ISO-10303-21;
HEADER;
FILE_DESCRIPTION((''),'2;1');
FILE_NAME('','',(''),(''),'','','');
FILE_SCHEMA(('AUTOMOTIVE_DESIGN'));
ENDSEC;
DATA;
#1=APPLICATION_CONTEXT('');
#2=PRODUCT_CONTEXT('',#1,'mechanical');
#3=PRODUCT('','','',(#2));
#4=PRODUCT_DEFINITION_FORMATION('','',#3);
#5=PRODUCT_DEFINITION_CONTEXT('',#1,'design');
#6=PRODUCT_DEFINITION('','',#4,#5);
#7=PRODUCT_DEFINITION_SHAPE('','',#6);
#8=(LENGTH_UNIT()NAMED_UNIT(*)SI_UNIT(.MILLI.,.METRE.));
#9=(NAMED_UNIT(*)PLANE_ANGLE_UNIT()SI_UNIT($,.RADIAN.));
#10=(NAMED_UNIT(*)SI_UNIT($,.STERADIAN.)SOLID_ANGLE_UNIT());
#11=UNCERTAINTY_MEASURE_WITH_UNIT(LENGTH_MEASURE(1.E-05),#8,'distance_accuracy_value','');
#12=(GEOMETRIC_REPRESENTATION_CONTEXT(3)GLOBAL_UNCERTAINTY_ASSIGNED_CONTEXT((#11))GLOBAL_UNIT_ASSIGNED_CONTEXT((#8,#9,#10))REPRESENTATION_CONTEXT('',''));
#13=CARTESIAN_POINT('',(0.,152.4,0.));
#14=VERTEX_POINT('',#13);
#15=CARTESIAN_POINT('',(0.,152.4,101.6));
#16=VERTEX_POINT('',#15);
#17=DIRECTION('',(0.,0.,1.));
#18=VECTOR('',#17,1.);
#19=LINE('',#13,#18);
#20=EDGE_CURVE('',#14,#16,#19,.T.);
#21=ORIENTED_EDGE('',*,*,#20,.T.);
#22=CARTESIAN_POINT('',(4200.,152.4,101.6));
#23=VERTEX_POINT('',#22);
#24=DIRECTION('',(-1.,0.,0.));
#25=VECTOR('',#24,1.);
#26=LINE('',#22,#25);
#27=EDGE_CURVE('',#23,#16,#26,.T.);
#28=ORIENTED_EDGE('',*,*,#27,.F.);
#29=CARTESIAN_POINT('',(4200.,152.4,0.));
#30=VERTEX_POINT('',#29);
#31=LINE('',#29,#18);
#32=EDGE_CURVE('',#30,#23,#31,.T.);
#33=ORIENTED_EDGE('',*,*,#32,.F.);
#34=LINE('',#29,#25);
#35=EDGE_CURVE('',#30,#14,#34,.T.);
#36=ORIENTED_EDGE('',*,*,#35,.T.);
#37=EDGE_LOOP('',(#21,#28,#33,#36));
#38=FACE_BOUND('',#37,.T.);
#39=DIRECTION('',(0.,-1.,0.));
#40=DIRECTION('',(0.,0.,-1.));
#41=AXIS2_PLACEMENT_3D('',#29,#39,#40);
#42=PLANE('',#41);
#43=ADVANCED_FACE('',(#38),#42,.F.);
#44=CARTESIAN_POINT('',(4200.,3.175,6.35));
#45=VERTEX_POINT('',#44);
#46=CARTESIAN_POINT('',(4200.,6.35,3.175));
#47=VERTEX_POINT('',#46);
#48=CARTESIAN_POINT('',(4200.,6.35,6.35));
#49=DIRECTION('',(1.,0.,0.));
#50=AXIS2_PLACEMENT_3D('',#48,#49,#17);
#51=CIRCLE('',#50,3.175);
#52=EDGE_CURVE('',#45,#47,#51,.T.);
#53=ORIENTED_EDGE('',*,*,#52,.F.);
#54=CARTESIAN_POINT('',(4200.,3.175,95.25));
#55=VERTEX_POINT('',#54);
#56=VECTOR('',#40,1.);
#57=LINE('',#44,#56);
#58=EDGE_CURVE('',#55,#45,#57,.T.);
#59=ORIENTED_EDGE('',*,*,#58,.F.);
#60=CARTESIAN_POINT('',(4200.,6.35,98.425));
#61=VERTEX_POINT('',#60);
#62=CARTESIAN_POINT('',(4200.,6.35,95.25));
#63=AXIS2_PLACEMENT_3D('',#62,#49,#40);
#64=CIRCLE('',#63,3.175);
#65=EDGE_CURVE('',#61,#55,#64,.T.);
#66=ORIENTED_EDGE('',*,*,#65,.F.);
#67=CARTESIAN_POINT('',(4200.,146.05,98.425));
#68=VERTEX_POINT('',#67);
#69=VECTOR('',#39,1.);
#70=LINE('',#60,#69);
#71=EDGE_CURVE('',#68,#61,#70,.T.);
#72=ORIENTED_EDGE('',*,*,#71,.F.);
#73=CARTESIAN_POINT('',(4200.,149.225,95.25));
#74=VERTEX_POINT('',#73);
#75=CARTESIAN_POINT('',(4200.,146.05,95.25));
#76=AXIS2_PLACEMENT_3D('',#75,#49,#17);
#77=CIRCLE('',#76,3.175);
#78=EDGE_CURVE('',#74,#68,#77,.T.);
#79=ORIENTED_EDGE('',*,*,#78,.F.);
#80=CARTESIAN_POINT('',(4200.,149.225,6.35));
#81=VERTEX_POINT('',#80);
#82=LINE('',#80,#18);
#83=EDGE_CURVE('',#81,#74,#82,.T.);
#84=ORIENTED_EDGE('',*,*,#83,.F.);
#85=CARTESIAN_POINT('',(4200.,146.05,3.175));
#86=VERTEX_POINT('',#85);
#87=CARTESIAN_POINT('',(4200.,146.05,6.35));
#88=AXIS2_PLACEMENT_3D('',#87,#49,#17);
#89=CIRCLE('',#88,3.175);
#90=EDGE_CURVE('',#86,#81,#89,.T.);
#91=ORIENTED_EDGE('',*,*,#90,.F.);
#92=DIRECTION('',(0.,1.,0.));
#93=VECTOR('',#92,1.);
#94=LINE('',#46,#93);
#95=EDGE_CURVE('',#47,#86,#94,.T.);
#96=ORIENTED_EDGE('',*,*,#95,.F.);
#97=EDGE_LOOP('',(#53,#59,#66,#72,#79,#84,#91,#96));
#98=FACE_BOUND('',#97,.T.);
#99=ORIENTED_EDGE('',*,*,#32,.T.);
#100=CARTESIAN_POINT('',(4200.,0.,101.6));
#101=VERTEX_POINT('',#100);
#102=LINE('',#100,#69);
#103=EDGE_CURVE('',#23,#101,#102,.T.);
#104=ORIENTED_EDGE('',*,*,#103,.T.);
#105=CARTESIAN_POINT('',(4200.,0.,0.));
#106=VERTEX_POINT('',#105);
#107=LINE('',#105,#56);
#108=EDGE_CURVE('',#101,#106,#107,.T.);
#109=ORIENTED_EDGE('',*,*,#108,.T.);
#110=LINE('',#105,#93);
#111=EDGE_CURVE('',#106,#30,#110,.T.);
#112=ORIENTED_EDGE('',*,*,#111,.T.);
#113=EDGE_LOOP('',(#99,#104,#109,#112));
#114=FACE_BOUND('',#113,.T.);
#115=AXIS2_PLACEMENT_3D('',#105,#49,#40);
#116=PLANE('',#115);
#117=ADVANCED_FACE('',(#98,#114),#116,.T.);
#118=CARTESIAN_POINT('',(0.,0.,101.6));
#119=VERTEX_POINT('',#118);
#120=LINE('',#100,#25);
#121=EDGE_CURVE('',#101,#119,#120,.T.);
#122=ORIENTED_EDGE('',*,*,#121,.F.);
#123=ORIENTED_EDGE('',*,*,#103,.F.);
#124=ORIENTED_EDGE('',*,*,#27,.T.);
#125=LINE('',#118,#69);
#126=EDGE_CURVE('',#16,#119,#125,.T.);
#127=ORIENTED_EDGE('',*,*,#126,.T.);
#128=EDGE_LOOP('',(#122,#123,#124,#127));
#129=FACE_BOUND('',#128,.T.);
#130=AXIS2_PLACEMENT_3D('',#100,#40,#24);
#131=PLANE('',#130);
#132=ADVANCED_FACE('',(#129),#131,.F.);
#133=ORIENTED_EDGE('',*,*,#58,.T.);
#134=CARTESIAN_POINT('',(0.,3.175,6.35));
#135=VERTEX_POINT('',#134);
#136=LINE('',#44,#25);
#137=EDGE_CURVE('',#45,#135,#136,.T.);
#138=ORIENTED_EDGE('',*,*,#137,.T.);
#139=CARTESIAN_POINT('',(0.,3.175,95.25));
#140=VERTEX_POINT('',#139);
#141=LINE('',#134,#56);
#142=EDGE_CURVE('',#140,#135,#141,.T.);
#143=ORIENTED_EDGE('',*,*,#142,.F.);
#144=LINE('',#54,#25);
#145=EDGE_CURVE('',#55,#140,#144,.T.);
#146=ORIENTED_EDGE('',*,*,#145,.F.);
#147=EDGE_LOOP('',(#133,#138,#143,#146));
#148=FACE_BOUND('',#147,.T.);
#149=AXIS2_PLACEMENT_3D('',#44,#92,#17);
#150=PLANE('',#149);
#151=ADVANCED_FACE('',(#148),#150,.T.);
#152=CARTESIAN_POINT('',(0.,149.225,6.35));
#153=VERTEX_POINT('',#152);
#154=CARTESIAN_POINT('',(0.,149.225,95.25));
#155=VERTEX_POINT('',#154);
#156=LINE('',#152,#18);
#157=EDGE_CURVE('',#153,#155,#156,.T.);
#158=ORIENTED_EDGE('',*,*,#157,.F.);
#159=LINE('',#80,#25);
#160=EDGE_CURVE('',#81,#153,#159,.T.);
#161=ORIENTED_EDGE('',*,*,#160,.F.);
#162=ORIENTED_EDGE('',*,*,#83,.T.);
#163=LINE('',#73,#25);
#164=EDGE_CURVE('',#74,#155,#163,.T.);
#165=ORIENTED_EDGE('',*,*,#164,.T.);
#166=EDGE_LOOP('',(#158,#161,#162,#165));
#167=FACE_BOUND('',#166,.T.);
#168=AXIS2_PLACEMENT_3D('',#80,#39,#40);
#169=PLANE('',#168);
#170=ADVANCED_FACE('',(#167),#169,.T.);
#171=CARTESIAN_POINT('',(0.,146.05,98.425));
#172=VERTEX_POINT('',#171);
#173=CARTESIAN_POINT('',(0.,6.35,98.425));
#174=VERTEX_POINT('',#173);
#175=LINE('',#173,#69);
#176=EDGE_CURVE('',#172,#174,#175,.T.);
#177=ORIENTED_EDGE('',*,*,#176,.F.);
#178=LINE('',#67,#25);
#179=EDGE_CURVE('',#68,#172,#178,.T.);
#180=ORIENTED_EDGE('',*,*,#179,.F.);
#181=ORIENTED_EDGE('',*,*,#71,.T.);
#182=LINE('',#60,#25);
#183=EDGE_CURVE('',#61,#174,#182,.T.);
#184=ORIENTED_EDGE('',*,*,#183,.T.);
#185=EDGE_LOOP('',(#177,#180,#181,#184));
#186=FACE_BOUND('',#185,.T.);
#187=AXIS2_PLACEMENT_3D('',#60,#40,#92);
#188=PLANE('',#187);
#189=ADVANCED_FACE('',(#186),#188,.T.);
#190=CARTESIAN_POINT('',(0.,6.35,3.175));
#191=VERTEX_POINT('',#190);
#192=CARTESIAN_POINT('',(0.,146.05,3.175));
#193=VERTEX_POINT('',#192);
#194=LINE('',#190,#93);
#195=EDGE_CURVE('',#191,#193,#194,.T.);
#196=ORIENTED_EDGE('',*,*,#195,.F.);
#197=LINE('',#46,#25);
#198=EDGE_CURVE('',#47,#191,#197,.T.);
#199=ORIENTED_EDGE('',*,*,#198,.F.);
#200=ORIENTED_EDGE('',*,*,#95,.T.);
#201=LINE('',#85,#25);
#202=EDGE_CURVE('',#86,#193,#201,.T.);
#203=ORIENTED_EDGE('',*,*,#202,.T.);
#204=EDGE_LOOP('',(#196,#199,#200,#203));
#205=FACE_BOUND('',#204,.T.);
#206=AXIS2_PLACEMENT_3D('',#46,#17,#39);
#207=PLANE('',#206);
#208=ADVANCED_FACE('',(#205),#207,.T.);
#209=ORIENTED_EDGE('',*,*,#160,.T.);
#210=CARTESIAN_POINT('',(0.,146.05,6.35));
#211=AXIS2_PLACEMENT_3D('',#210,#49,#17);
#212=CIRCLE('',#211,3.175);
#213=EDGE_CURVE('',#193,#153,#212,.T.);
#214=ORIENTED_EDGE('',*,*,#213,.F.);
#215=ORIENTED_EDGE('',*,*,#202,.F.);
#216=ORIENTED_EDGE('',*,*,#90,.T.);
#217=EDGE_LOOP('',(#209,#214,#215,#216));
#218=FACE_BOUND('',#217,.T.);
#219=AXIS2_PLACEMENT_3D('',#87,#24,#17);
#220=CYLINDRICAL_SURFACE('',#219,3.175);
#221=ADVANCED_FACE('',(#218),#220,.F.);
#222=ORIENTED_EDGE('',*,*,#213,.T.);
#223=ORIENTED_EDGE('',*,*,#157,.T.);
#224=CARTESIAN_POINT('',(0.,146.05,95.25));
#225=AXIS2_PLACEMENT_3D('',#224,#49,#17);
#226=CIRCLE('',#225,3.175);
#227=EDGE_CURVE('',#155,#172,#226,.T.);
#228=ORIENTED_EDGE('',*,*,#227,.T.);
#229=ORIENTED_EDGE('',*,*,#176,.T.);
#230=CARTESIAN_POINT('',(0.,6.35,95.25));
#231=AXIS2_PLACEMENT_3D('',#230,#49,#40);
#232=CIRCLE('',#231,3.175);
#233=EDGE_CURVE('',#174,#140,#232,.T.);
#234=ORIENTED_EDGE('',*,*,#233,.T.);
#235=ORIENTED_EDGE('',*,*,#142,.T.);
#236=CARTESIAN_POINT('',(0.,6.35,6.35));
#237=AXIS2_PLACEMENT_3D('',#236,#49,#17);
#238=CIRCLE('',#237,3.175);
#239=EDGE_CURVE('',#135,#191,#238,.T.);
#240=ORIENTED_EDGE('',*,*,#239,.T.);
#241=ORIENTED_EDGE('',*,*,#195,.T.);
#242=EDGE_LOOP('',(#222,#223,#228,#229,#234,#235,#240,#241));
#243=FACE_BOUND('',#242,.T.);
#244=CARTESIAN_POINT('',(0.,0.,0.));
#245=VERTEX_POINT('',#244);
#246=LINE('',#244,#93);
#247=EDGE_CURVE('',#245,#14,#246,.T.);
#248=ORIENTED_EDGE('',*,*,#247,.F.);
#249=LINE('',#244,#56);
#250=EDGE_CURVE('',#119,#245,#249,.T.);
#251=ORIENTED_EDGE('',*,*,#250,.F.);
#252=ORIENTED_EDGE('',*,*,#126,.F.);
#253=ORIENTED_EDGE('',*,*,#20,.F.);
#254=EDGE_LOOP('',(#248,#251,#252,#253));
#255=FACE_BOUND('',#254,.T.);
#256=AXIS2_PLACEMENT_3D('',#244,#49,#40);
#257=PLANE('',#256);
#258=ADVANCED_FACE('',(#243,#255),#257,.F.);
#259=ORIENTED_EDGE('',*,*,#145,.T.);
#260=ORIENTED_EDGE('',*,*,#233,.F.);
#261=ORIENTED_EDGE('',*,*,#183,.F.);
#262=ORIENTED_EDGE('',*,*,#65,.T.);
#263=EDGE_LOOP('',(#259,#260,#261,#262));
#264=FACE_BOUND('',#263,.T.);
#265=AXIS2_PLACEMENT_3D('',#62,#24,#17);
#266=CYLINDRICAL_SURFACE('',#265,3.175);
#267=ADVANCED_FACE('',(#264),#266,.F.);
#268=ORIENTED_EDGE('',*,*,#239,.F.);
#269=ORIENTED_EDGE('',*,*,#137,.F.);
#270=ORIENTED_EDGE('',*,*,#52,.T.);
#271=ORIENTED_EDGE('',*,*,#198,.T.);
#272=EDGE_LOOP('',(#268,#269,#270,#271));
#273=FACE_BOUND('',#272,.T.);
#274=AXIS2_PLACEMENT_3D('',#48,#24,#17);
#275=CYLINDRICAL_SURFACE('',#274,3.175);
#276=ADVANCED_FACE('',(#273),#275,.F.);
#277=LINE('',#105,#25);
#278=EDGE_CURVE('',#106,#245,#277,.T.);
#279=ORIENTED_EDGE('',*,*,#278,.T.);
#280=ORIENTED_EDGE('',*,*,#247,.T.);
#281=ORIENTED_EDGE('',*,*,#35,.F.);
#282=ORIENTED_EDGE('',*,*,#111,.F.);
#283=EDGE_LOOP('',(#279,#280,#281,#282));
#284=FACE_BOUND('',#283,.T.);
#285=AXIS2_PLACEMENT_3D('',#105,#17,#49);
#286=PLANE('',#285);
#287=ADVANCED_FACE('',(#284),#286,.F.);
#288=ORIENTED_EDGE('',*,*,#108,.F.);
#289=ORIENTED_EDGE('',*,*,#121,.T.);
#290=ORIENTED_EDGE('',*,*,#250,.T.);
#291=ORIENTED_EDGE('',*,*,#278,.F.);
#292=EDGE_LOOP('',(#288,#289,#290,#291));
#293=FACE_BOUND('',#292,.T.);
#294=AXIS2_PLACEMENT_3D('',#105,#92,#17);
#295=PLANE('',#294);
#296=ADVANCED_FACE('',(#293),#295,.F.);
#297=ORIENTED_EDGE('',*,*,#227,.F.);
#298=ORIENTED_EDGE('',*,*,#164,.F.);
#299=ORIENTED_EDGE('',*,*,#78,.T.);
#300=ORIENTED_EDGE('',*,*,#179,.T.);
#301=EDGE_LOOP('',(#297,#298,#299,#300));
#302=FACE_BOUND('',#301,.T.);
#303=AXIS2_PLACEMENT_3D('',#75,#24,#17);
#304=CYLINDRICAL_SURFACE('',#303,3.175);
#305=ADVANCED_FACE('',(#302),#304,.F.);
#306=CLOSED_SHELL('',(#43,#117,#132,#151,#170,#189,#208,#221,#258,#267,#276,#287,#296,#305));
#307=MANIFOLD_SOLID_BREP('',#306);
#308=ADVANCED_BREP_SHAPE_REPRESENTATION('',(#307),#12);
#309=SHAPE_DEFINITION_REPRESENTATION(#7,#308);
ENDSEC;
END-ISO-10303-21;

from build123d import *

# Parameters (mm, degrees)
SKETCH1_W           = 101.6
SKETCH1_H           = 152.4
BOSS_EXTRUDE1_DEPTH = 4200


with BuildPart() as part:
    # Sketch1 → Boss-Extrude1 (new body)
    with BuildSketch(Plane(origin=(0, 0, 0), x_dir=(0, 0, -1), z_dir=(1, 0, 0))):
        with Locations((-50.8, 76.2)):
            Rectangle(SKETCH1_W, SKETCH1_H)
        with BuildLine():
            Line((-98.425, 6.35), (-98.425, 146.05))
            ThreePointArc((-98.425, 146.05), (-97.49506403, 148.29506403), (-95.25, 149.225))
            Line((-95.25, 149.225), (-6.35, 149.225))
            ThreePointArc((-6.35, 149.225), (-4.10493597, 148.29506403), (-3.175, 146.05))
            Line((-3.175, 146.05), (-3.175, 6.35))
            ThreePointArc((-3.175, 6.35), (-4.10493597, 4.10493597), (-6.35, 3.175))
            Line((-6.35, 3.175), (-95.25, 3.175))
            ThreePointArc((-95.25, 3.175), (-97.49506403, 4.10493597), (-98.425, 6.35))
        make_face(mode=Mode.SUBTRACT)
    extrude(amount=BOSS_EXTRUDE1_DEPTH)


solid = part.part
